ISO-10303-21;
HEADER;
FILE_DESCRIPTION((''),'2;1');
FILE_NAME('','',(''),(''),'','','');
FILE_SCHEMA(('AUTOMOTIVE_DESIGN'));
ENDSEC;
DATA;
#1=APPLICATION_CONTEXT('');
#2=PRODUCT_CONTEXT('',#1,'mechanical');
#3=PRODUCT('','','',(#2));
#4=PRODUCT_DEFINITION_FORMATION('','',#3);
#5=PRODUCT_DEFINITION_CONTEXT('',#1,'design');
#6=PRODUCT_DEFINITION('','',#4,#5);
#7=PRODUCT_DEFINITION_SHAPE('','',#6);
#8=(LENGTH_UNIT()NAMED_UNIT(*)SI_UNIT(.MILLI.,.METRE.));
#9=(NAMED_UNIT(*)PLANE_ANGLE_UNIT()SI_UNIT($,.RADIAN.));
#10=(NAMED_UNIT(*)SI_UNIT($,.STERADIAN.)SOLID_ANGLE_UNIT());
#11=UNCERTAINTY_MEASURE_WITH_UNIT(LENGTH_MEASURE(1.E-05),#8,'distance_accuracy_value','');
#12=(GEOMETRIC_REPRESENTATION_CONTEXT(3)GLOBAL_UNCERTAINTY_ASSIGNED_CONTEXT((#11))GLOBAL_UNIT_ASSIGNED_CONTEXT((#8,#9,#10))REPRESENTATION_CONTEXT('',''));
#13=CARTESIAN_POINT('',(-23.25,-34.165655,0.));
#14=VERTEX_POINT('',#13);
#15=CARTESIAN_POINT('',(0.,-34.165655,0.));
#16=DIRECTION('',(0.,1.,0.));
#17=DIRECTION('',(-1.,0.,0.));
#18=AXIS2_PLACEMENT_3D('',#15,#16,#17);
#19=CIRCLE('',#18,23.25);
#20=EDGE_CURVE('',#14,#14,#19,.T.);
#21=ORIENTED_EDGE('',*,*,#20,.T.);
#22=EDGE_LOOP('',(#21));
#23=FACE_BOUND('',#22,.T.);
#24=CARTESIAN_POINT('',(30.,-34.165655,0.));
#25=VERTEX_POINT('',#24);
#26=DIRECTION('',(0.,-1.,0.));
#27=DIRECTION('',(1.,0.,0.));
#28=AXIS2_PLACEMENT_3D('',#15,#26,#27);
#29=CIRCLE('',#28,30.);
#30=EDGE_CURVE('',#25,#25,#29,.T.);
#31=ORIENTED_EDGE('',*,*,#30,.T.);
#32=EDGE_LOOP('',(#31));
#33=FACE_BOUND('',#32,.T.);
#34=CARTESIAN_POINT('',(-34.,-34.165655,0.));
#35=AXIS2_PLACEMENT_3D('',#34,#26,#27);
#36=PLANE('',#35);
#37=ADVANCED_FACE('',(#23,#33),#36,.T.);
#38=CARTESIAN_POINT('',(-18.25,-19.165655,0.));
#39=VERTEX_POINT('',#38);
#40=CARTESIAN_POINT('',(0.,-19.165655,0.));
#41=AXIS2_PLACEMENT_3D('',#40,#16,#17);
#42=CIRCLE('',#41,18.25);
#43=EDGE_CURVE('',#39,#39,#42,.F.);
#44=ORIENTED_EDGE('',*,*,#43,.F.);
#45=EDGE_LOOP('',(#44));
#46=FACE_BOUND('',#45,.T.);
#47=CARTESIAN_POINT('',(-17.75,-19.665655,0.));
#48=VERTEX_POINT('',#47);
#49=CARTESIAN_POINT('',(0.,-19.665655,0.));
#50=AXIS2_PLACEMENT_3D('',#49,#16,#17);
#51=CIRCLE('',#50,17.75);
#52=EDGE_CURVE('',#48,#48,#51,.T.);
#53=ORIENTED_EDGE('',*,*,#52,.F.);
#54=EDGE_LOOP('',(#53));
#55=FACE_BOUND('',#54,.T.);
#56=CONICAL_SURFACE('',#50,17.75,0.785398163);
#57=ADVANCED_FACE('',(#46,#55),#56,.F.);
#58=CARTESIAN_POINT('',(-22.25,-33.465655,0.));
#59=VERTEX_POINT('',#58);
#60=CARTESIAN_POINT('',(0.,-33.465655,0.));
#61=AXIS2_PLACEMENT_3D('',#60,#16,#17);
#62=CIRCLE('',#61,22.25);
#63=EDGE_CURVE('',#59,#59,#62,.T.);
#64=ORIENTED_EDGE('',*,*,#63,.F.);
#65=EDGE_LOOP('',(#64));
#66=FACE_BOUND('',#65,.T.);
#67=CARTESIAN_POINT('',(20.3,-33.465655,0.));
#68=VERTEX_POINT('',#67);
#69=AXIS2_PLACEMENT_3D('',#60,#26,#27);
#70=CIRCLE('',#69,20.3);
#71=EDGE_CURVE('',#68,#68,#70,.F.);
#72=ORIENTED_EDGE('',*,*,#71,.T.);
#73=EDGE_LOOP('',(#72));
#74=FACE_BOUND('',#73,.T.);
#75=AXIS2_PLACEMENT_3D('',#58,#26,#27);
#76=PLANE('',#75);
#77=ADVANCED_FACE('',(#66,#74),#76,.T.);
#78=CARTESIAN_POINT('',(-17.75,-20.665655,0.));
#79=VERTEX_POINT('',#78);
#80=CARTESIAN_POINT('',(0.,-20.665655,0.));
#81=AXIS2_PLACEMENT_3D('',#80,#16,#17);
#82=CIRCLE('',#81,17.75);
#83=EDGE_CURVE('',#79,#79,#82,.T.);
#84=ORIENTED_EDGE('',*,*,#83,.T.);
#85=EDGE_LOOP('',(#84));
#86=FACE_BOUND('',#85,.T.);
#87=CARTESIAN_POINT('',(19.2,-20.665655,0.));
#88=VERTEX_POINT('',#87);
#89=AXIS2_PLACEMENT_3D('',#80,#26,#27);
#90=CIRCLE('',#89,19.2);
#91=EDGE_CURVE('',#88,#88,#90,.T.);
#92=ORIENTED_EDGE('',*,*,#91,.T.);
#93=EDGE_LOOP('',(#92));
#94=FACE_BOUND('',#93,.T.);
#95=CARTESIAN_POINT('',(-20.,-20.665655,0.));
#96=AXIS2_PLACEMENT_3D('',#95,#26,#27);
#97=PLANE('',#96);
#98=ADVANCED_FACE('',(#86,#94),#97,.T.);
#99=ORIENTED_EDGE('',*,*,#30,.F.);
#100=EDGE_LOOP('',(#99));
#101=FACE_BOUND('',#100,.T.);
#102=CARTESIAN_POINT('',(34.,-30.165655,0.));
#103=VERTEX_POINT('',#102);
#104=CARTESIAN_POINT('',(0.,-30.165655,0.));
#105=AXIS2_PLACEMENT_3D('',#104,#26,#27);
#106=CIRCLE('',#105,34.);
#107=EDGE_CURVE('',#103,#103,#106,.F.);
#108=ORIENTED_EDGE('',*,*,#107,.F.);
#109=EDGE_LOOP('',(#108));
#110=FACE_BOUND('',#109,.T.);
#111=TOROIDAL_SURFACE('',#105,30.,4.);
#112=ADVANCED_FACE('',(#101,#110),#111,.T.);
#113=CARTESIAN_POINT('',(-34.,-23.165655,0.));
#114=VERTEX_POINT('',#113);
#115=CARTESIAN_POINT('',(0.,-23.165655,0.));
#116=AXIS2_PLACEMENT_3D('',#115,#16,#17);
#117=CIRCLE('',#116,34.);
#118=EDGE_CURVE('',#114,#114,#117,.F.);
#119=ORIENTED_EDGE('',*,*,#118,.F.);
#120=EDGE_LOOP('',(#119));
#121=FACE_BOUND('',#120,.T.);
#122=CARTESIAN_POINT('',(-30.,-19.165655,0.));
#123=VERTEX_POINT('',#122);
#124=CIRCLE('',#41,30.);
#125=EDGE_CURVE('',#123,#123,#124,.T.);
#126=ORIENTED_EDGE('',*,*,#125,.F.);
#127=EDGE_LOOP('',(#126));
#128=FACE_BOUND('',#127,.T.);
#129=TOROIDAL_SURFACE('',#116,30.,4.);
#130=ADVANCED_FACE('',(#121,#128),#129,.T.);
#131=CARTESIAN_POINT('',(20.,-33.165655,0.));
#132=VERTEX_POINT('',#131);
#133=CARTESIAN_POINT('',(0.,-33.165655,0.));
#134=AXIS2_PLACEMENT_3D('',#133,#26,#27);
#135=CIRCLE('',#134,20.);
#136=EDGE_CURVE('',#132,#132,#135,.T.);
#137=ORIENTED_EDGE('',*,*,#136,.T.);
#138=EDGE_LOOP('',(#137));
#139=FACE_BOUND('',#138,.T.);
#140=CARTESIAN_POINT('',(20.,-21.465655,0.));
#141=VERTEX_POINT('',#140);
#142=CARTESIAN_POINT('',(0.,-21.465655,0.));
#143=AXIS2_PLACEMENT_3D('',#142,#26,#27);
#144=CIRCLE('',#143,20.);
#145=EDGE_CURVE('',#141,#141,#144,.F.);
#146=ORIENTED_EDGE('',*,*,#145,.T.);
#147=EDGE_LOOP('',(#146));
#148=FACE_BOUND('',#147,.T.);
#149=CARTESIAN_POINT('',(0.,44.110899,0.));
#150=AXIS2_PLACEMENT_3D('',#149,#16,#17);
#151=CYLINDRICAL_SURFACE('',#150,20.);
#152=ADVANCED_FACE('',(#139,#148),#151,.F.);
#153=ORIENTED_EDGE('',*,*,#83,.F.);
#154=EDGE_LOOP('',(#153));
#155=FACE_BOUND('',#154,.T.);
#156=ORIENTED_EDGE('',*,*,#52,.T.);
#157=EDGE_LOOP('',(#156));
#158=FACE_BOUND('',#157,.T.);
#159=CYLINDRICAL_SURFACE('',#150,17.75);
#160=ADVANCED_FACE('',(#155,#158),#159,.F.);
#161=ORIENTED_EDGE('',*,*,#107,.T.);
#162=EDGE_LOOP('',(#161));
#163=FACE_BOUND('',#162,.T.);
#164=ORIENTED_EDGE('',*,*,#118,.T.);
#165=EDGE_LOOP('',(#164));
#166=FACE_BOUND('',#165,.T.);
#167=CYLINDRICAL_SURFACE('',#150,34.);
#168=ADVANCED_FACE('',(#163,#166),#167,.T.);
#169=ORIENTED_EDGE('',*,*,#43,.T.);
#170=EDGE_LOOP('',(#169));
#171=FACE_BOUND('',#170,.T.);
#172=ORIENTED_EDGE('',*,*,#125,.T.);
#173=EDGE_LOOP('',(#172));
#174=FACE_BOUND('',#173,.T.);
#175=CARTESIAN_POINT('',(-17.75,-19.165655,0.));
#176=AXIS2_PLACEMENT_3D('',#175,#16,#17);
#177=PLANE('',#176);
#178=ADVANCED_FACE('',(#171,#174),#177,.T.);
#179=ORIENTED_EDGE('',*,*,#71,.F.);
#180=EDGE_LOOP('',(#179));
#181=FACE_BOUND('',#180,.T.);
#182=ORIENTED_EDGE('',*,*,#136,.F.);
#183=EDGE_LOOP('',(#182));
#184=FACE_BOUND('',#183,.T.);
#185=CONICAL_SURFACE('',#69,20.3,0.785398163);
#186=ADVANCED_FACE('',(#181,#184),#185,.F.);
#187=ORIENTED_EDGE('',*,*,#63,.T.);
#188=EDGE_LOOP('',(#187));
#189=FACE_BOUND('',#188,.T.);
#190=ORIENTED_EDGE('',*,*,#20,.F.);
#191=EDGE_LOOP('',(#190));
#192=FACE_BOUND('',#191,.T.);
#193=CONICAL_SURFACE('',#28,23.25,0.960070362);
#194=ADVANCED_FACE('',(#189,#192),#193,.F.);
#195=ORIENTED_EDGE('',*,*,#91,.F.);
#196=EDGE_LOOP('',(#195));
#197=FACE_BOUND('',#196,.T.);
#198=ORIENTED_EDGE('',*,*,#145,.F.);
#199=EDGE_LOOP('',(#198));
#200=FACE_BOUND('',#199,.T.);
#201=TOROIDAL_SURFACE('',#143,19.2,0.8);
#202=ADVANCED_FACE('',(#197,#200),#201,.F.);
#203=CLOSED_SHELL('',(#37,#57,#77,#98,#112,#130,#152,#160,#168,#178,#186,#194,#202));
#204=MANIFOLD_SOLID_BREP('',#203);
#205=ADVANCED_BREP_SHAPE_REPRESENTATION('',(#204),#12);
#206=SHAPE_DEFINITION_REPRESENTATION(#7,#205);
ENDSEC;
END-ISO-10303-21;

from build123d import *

# Parameters (mm, degrees)
RACCORDO1_R  = 4
SMUSSO1_SIZE = 0.5
SMUSSO2_SIZE = 0.3
RACCORDO5_R  = 0.8


with BuildPart() as part:
    # Schizzo1 → Rivoluzione1 (revolve)
    with BuildSketch(Plane.XY):
        Polygon((-34, -19.165655205), (-34, -34.165655205), (-23.25, -34.165655205), (-22.25, -33.465655205), (-20, -33.465655205), (-20, -20.665655205), (-17.75, -20.665655205), (-17.75, -19.165655205), align=None)
    revolve(axis=Axis((0, 44.110898502, 0), (0, -1, 0)))

    # Raccordo1
    raccordo1_edges = [part.edges().sort_by_distance(p)[0] for p in [
        (34, -34.165655205, 0),
        (34, -19.165655205, 0),
    ]]
    fillet(raccordo1_edges, radius=RACCORDO1_R)

    # Smusso1
    smusso1_edges = [part.edges().sort_by_distance(p)[0] for p in [
        (17.75, -19.165655205, 0),
    ]]
    chamfer(smusso1_edges, length=SMUSSO1_SIZE)

    # Smusso2
    smusso2_edges = [part.edges().sort_by_distance(p)[0] for p in [
        (20, -33.465655205, 0),
    ]]
    chamfer(smusso2_edges, length=SMUSSO2_SIZE)

    # Raccordo5
    raccordo5_edges = [part.edges().sort_by_distance(p)[0] for p in [
        (20, -20.665655205, 0),
    ]]
    fillet(raccordo5_edges, radius=RACCORDO5_R)


solid = part.part
